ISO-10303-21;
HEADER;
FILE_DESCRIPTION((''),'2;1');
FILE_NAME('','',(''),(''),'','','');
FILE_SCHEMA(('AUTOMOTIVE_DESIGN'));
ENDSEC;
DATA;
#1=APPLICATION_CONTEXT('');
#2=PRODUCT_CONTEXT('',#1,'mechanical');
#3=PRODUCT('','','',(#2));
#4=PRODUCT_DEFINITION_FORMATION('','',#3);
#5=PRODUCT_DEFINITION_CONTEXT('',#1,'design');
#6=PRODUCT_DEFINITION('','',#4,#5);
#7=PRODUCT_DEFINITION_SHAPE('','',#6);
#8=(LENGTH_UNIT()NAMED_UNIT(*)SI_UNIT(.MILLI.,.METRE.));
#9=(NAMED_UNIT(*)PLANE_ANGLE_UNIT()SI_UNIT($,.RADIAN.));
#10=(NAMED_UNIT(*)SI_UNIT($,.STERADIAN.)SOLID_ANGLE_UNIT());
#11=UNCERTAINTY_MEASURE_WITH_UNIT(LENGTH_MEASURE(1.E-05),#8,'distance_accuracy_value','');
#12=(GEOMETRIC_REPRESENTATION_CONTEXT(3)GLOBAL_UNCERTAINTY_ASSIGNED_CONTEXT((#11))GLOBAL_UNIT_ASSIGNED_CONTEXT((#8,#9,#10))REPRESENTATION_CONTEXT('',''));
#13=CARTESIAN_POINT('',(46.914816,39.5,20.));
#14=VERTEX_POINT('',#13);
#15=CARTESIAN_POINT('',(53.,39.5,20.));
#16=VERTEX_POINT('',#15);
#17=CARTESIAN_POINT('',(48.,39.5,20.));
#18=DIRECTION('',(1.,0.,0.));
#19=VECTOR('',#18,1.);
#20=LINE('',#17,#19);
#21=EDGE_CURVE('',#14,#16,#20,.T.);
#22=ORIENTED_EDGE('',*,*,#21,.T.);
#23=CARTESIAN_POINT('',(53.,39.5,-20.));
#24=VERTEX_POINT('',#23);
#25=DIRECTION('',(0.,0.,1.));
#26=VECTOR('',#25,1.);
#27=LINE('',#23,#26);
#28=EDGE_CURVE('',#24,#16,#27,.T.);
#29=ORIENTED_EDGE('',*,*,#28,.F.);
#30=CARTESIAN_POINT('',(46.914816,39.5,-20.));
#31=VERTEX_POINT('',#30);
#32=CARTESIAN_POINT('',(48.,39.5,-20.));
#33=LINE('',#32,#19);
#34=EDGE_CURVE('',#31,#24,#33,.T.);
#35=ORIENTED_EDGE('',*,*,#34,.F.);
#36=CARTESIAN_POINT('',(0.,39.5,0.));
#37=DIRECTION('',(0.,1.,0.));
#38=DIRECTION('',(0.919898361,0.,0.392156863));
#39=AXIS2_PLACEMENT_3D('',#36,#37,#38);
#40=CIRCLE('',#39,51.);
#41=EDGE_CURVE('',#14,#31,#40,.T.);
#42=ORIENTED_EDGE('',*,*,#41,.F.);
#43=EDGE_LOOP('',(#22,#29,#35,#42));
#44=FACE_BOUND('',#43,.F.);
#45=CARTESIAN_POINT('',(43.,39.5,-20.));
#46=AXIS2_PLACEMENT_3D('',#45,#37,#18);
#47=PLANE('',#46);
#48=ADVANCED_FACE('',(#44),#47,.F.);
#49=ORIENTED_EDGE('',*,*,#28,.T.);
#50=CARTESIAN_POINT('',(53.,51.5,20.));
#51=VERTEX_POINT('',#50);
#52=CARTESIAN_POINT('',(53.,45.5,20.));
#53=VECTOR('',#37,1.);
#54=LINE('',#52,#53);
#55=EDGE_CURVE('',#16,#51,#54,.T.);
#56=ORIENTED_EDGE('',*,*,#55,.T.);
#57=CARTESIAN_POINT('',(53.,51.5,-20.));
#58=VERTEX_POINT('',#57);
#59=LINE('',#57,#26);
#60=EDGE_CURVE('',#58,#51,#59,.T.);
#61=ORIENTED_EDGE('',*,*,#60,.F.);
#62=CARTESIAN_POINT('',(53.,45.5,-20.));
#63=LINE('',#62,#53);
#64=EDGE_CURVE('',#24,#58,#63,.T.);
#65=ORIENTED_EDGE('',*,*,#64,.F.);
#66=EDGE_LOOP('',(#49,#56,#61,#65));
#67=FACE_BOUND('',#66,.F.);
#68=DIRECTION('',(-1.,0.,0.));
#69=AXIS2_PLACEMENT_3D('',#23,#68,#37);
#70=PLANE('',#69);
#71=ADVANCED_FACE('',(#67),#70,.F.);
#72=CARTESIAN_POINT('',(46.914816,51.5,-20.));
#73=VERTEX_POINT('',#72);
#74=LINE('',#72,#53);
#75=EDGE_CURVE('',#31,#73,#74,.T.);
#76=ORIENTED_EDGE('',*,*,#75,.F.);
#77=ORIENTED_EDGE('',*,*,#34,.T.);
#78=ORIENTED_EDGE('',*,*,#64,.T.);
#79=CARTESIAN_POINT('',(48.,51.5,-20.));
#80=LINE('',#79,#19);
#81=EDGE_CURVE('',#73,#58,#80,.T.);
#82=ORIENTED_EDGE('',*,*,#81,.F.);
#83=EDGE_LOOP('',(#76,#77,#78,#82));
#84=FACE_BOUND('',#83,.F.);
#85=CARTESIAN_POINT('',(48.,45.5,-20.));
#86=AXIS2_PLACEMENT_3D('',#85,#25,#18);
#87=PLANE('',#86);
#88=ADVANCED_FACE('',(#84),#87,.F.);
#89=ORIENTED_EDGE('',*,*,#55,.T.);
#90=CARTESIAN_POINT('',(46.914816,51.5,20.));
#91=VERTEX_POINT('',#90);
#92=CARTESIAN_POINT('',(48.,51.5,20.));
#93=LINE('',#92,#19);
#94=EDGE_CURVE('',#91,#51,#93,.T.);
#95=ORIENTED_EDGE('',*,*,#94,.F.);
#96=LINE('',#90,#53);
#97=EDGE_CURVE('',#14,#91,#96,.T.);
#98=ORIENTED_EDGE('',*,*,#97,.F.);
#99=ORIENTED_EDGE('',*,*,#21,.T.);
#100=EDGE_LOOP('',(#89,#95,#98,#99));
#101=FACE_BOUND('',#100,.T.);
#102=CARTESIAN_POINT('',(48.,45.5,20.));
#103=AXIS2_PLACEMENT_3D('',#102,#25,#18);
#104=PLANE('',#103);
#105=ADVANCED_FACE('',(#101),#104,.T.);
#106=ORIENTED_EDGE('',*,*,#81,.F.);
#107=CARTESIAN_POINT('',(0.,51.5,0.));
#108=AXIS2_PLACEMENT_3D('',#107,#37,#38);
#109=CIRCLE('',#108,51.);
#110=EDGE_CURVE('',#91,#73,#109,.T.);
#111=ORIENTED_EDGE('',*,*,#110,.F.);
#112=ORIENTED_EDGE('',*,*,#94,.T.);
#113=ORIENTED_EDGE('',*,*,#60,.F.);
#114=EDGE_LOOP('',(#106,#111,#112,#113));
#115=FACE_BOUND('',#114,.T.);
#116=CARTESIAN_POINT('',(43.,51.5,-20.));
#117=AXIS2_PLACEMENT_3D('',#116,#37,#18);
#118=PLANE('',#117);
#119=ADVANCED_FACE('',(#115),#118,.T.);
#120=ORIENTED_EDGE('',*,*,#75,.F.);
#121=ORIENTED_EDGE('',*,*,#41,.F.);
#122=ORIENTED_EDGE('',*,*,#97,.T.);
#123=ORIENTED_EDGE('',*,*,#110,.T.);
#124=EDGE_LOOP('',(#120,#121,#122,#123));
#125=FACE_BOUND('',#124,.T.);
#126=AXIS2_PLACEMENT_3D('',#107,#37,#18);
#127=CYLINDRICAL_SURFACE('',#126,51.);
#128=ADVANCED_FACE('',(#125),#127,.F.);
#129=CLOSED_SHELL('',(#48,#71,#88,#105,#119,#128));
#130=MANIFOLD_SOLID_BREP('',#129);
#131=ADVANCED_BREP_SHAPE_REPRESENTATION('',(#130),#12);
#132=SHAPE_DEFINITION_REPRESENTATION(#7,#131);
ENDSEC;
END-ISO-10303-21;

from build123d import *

# Parameters (mm, degrees)
CYLINDER014005822_R     = 51
CYLINDER014005822_DEPTH = 12
BOX001_W                = 10
BOX001_H                = 12
BOX001_DEPTH            = 40


with BuildPart() as v_lec735:
    # Cylinder014005822 → Cylinder014005822 (new body)
    with BuildSketch(Plane.XZ.offset(-51.5)):
        Circle(CYLINDER014005822_R)
    extrude(amount=CYLINDER014005822_DEPTH)


with BuildPart() as lista_prac:
    # Box001 → Box001 (new body)
    with BuildSketch(Plane(origin=(43, 39.5, -20), x_dir=(1, 0, 0), z_dir=(0, 0, 1))):
        with Locations((5, 6)):
            Rectangle(BOX001_W, BOX001_H)
    extrude(amount=BOX001_DEPTH)

    # Cut009003003003: cut Válec735
    add(v_lec735.part, mode=Mode.SUBTRACT)


solid = lista_prac.part
